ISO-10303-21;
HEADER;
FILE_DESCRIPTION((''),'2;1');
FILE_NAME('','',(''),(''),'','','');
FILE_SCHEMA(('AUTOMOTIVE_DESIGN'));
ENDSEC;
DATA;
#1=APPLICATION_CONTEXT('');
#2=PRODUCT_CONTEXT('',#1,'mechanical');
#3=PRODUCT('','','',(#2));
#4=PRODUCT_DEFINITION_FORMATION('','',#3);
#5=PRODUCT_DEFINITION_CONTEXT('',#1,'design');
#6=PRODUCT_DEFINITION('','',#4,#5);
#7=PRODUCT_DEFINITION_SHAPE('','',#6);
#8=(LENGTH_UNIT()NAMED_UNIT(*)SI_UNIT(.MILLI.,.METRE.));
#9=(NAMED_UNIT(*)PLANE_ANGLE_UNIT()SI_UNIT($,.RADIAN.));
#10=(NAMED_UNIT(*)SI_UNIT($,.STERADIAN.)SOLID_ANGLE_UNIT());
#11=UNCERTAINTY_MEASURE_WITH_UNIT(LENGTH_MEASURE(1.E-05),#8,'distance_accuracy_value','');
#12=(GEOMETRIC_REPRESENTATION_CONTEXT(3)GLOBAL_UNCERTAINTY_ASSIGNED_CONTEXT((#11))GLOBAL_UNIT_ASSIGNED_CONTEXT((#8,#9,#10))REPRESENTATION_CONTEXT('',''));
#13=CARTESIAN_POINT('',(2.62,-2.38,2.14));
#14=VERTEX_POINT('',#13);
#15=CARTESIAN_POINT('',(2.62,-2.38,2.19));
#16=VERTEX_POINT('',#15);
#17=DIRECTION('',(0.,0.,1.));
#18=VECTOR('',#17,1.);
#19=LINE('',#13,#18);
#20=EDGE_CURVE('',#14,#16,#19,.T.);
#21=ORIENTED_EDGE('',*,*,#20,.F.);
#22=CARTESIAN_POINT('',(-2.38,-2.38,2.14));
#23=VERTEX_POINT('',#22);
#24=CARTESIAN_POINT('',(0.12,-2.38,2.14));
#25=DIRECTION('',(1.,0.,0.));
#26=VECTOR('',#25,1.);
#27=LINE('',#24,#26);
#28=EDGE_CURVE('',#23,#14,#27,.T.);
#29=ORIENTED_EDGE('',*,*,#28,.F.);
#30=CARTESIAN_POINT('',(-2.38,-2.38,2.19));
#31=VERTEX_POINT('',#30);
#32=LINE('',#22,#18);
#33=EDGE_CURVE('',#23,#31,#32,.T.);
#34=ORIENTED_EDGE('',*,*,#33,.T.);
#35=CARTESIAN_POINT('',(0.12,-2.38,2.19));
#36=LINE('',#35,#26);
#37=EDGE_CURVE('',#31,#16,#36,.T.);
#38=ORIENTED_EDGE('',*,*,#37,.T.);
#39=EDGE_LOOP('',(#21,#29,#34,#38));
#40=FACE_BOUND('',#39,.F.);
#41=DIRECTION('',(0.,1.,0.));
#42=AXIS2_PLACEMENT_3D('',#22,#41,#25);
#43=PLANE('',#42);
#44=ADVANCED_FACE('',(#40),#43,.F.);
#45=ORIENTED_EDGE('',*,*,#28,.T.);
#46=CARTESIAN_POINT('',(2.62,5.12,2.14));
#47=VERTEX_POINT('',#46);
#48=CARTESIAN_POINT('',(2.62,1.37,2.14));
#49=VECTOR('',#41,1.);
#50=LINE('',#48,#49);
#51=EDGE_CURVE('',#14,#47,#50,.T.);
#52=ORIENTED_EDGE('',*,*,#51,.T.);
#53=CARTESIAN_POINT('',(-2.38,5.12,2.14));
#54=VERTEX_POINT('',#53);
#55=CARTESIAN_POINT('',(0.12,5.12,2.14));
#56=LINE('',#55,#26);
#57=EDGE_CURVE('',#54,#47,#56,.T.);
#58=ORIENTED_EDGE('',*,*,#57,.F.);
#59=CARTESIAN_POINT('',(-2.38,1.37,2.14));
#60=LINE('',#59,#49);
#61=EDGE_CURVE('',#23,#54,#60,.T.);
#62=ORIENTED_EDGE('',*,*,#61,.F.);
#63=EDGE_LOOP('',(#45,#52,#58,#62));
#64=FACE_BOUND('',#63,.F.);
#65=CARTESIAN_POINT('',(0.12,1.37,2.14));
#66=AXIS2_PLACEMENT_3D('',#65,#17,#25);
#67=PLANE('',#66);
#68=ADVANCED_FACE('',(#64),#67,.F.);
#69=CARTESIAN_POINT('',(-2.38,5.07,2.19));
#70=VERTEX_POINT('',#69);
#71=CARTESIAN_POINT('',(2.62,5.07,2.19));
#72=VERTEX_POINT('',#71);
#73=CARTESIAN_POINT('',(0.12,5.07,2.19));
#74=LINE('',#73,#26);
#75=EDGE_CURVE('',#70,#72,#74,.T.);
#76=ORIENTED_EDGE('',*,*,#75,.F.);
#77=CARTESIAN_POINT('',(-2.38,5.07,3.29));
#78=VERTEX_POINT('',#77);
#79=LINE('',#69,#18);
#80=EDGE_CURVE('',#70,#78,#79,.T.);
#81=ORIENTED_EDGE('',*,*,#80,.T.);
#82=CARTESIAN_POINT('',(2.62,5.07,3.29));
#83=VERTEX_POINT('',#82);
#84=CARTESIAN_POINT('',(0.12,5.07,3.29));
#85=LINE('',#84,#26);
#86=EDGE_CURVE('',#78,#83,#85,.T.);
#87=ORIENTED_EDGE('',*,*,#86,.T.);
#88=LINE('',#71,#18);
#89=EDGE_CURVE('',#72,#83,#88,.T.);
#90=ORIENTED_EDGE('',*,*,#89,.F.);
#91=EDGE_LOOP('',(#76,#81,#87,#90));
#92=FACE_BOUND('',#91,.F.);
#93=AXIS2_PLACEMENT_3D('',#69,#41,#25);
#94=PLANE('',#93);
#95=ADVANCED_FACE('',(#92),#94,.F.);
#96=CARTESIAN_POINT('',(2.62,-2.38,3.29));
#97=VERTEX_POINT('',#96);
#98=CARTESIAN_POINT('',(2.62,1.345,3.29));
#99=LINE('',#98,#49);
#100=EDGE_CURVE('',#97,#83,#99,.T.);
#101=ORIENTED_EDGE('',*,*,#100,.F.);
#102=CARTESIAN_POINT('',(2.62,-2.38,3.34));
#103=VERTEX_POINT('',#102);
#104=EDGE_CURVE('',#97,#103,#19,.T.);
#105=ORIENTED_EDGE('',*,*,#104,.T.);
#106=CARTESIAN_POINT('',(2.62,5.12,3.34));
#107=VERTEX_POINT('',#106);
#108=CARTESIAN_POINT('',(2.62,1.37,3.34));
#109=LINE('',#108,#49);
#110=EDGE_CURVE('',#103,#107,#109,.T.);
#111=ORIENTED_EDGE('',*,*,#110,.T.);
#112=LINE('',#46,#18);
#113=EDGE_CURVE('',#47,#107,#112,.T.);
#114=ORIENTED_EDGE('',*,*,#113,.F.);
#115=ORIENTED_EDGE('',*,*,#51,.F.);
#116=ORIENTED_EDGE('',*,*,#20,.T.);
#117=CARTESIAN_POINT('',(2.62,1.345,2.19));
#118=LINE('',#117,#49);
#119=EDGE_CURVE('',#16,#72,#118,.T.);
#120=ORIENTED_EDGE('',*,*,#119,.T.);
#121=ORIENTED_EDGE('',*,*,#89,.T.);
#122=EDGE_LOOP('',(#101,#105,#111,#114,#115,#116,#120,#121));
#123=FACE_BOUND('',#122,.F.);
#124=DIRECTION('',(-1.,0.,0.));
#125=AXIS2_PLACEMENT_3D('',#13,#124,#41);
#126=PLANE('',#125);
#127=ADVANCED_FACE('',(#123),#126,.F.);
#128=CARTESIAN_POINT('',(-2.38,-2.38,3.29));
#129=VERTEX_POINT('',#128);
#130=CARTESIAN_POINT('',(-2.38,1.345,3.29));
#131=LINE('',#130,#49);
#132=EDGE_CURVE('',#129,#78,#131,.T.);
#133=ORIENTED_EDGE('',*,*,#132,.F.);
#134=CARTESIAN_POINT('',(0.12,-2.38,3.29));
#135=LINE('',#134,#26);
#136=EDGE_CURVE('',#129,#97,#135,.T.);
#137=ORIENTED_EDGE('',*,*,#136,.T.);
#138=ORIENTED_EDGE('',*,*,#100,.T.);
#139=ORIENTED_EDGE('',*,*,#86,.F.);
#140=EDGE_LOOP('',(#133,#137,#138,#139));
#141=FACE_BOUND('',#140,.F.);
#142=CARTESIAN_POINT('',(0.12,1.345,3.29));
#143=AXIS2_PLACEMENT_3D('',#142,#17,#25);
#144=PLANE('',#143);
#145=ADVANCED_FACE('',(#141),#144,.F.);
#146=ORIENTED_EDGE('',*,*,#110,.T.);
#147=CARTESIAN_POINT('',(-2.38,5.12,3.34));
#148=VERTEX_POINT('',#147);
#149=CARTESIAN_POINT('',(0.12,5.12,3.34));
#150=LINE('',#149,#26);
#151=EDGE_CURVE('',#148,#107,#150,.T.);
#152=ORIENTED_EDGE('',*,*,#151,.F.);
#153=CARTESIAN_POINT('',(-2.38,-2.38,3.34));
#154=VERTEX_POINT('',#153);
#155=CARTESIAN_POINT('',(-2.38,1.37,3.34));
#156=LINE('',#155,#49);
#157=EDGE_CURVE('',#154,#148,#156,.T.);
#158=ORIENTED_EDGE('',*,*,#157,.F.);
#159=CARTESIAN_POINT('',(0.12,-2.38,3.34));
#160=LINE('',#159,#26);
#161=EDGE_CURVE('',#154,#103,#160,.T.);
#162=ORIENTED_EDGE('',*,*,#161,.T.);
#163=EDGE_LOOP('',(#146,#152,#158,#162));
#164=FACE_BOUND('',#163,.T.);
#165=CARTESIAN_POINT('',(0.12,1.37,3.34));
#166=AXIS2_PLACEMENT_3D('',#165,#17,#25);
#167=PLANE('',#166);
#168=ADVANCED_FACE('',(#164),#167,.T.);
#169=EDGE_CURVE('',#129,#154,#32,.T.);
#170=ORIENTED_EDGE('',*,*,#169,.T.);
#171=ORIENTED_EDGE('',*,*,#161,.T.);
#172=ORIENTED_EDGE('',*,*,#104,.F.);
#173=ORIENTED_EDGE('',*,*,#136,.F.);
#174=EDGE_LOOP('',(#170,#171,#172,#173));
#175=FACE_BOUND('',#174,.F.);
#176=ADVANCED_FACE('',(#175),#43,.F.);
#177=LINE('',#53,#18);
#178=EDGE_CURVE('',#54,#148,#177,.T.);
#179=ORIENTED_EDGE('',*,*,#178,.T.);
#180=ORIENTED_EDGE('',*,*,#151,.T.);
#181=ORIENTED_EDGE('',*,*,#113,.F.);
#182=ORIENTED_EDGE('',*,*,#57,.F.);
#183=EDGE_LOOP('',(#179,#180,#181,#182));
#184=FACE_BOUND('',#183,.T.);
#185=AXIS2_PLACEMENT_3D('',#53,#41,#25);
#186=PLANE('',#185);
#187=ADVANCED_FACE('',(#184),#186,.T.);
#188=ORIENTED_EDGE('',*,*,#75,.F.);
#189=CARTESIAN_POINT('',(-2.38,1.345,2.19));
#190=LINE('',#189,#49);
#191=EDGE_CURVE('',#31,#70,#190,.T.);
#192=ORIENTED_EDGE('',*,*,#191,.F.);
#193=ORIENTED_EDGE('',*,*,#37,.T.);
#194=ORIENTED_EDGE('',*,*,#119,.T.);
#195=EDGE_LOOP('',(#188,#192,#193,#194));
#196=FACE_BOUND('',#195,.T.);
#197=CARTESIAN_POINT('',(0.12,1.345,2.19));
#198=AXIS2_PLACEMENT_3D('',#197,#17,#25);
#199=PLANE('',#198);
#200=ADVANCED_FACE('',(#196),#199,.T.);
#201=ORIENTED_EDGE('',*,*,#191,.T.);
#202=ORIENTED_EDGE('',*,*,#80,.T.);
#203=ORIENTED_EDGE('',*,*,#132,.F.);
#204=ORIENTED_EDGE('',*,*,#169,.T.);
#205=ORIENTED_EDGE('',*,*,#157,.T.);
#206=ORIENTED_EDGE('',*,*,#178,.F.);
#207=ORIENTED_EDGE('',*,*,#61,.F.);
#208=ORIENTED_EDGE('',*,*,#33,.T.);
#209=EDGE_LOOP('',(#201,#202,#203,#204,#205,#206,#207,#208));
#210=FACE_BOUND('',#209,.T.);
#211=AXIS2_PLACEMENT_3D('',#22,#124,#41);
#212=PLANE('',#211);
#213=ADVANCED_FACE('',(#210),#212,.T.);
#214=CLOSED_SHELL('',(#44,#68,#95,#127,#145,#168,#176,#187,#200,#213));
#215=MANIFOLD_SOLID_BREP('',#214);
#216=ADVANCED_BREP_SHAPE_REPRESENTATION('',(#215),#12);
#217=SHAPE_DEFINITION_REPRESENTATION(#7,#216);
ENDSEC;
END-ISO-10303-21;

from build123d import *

# Parameters (mm, degrees)
BOX056_W     = 5
BOX056_H     = 7.45
BOX056_DEPTH = 1.1
BOX055_W     = 5
BOX055_H     = 7.5
BOX055_DEPTH = 1.2


with BuildPart() as small_cu_gnd_electrode012:
    # Box056 → Box056 (new body)
    with BuildSketch(Plane.XY.offset(0.05)):
        with Locations((2.5, 3.725)):
            Rectangle(BOX056_W, BOX056_H)
    extrude(amount=BOX056_DEPTH)


with BuildPart() as small_cu_electrode001_long_axis_v:
    # Box055 → Box055 (new body)
    with BuildSketch(Plane.XY):
        with Locations((2.5, 3.75)):
            Rectangle(BOX055_W, BOX055_H)
    extrude(amount=BOX055_DEPTH)

    # Cut008: cut Small Cu GND Electrode012
    add(small_cu_gnd_electrode012.part, mode=Mode.SUBTRACT)


with BuildPart() as small_cu_electrode001_long_axis_v_1:
    # Cut008 placement: moved
    add(small_cu_electrode001_long_axis_v.part.moved(Location((-2.38, -2.38, 2.14))))


solid = small_cu_electrode001_long_axis_v_1.part
